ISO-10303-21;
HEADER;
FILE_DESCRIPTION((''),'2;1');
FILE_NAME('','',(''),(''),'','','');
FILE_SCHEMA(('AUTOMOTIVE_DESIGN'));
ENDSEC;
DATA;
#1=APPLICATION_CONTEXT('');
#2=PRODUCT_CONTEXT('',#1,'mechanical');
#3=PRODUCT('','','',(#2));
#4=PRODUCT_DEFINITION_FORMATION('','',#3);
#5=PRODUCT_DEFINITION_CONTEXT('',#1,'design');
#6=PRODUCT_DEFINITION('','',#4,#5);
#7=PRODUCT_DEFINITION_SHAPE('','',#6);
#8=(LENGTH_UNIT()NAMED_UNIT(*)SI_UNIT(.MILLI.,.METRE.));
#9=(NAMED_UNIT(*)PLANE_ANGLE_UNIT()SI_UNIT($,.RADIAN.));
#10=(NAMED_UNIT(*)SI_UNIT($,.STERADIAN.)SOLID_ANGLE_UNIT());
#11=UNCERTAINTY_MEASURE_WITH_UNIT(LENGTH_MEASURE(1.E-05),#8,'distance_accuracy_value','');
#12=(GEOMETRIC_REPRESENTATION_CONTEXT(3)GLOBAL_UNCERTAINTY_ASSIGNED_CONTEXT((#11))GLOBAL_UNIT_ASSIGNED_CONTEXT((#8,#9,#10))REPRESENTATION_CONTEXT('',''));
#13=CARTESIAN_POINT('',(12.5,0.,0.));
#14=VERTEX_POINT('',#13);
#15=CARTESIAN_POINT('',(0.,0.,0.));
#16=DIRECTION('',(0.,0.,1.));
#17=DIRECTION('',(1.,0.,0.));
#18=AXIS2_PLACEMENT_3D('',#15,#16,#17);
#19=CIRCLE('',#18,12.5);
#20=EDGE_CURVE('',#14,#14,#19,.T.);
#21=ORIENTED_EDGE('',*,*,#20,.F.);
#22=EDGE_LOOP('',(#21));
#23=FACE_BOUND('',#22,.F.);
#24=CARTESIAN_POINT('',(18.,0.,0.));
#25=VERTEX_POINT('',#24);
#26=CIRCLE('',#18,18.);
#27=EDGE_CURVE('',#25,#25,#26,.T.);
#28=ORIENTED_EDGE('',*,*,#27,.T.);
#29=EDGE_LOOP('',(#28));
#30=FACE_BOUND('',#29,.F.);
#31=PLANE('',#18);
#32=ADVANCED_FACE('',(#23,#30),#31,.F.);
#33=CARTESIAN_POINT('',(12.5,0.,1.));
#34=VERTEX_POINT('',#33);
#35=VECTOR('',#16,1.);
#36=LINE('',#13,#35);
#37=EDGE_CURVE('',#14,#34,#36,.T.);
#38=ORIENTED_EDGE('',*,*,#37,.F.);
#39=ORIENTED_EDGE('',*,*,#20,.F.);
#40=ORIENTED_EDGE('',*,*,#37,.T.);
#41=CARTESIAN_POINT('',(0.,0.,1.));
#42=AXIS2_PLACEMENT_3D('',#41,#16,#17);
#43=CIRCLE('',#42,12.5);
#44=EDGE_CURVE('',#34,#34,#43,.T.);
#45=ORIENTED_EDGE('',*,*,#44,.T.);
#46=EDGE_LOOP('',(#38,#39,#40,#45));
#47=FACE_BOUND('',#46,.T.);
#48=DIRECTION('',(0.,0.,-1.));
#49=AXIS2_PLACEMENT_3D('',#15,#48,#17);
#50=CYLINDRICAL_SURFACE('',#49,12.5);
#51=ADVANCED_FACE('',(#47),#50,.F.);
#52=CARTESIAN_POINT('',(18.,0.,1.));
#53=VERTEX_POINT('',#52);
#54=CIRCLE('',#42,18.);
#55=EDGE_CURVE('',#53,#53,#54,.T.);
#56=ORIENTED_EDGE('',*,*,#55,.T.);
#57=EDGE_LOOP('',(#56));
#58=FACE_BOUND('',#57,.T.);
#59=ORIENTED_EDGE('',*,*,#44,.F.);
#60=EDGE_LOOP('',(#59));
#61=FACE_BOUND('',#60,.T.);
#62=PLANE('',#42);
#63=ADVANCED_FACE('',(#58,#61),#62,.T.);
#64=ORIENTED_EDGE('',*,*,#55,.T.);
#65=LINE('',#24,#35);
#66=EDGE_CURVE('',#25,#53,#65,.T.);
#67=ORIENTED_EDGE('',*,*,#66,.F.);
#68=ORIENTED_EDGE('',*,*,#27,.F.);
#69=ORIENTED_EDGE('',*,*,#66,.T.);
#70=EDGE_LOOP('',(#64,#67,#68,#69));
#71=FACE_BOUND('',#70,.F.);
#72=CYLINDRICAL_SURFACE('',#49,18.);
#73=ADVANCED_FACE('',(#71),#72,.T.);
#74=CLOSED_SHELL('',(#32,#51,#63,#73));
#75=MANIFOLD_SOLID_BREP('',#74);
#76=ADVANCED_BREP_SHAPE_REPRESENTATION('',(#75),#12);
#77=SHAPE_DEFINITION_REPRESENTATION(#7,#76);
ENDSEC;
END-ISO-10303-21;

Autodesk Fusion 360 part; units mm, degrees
sketch "Sketch1" plane through (0, 0, 0) normal (0, 0, 1) x (1, 0, 0)
  circle A0 centre (0, 0) radius 12.5
  circle A1 centre (0, 0) radius 18
  dimension "d1" = 25
  dimension "d2" = 36
extrude "Extrude1" add sketch "Sketch1" along normal blind 1
